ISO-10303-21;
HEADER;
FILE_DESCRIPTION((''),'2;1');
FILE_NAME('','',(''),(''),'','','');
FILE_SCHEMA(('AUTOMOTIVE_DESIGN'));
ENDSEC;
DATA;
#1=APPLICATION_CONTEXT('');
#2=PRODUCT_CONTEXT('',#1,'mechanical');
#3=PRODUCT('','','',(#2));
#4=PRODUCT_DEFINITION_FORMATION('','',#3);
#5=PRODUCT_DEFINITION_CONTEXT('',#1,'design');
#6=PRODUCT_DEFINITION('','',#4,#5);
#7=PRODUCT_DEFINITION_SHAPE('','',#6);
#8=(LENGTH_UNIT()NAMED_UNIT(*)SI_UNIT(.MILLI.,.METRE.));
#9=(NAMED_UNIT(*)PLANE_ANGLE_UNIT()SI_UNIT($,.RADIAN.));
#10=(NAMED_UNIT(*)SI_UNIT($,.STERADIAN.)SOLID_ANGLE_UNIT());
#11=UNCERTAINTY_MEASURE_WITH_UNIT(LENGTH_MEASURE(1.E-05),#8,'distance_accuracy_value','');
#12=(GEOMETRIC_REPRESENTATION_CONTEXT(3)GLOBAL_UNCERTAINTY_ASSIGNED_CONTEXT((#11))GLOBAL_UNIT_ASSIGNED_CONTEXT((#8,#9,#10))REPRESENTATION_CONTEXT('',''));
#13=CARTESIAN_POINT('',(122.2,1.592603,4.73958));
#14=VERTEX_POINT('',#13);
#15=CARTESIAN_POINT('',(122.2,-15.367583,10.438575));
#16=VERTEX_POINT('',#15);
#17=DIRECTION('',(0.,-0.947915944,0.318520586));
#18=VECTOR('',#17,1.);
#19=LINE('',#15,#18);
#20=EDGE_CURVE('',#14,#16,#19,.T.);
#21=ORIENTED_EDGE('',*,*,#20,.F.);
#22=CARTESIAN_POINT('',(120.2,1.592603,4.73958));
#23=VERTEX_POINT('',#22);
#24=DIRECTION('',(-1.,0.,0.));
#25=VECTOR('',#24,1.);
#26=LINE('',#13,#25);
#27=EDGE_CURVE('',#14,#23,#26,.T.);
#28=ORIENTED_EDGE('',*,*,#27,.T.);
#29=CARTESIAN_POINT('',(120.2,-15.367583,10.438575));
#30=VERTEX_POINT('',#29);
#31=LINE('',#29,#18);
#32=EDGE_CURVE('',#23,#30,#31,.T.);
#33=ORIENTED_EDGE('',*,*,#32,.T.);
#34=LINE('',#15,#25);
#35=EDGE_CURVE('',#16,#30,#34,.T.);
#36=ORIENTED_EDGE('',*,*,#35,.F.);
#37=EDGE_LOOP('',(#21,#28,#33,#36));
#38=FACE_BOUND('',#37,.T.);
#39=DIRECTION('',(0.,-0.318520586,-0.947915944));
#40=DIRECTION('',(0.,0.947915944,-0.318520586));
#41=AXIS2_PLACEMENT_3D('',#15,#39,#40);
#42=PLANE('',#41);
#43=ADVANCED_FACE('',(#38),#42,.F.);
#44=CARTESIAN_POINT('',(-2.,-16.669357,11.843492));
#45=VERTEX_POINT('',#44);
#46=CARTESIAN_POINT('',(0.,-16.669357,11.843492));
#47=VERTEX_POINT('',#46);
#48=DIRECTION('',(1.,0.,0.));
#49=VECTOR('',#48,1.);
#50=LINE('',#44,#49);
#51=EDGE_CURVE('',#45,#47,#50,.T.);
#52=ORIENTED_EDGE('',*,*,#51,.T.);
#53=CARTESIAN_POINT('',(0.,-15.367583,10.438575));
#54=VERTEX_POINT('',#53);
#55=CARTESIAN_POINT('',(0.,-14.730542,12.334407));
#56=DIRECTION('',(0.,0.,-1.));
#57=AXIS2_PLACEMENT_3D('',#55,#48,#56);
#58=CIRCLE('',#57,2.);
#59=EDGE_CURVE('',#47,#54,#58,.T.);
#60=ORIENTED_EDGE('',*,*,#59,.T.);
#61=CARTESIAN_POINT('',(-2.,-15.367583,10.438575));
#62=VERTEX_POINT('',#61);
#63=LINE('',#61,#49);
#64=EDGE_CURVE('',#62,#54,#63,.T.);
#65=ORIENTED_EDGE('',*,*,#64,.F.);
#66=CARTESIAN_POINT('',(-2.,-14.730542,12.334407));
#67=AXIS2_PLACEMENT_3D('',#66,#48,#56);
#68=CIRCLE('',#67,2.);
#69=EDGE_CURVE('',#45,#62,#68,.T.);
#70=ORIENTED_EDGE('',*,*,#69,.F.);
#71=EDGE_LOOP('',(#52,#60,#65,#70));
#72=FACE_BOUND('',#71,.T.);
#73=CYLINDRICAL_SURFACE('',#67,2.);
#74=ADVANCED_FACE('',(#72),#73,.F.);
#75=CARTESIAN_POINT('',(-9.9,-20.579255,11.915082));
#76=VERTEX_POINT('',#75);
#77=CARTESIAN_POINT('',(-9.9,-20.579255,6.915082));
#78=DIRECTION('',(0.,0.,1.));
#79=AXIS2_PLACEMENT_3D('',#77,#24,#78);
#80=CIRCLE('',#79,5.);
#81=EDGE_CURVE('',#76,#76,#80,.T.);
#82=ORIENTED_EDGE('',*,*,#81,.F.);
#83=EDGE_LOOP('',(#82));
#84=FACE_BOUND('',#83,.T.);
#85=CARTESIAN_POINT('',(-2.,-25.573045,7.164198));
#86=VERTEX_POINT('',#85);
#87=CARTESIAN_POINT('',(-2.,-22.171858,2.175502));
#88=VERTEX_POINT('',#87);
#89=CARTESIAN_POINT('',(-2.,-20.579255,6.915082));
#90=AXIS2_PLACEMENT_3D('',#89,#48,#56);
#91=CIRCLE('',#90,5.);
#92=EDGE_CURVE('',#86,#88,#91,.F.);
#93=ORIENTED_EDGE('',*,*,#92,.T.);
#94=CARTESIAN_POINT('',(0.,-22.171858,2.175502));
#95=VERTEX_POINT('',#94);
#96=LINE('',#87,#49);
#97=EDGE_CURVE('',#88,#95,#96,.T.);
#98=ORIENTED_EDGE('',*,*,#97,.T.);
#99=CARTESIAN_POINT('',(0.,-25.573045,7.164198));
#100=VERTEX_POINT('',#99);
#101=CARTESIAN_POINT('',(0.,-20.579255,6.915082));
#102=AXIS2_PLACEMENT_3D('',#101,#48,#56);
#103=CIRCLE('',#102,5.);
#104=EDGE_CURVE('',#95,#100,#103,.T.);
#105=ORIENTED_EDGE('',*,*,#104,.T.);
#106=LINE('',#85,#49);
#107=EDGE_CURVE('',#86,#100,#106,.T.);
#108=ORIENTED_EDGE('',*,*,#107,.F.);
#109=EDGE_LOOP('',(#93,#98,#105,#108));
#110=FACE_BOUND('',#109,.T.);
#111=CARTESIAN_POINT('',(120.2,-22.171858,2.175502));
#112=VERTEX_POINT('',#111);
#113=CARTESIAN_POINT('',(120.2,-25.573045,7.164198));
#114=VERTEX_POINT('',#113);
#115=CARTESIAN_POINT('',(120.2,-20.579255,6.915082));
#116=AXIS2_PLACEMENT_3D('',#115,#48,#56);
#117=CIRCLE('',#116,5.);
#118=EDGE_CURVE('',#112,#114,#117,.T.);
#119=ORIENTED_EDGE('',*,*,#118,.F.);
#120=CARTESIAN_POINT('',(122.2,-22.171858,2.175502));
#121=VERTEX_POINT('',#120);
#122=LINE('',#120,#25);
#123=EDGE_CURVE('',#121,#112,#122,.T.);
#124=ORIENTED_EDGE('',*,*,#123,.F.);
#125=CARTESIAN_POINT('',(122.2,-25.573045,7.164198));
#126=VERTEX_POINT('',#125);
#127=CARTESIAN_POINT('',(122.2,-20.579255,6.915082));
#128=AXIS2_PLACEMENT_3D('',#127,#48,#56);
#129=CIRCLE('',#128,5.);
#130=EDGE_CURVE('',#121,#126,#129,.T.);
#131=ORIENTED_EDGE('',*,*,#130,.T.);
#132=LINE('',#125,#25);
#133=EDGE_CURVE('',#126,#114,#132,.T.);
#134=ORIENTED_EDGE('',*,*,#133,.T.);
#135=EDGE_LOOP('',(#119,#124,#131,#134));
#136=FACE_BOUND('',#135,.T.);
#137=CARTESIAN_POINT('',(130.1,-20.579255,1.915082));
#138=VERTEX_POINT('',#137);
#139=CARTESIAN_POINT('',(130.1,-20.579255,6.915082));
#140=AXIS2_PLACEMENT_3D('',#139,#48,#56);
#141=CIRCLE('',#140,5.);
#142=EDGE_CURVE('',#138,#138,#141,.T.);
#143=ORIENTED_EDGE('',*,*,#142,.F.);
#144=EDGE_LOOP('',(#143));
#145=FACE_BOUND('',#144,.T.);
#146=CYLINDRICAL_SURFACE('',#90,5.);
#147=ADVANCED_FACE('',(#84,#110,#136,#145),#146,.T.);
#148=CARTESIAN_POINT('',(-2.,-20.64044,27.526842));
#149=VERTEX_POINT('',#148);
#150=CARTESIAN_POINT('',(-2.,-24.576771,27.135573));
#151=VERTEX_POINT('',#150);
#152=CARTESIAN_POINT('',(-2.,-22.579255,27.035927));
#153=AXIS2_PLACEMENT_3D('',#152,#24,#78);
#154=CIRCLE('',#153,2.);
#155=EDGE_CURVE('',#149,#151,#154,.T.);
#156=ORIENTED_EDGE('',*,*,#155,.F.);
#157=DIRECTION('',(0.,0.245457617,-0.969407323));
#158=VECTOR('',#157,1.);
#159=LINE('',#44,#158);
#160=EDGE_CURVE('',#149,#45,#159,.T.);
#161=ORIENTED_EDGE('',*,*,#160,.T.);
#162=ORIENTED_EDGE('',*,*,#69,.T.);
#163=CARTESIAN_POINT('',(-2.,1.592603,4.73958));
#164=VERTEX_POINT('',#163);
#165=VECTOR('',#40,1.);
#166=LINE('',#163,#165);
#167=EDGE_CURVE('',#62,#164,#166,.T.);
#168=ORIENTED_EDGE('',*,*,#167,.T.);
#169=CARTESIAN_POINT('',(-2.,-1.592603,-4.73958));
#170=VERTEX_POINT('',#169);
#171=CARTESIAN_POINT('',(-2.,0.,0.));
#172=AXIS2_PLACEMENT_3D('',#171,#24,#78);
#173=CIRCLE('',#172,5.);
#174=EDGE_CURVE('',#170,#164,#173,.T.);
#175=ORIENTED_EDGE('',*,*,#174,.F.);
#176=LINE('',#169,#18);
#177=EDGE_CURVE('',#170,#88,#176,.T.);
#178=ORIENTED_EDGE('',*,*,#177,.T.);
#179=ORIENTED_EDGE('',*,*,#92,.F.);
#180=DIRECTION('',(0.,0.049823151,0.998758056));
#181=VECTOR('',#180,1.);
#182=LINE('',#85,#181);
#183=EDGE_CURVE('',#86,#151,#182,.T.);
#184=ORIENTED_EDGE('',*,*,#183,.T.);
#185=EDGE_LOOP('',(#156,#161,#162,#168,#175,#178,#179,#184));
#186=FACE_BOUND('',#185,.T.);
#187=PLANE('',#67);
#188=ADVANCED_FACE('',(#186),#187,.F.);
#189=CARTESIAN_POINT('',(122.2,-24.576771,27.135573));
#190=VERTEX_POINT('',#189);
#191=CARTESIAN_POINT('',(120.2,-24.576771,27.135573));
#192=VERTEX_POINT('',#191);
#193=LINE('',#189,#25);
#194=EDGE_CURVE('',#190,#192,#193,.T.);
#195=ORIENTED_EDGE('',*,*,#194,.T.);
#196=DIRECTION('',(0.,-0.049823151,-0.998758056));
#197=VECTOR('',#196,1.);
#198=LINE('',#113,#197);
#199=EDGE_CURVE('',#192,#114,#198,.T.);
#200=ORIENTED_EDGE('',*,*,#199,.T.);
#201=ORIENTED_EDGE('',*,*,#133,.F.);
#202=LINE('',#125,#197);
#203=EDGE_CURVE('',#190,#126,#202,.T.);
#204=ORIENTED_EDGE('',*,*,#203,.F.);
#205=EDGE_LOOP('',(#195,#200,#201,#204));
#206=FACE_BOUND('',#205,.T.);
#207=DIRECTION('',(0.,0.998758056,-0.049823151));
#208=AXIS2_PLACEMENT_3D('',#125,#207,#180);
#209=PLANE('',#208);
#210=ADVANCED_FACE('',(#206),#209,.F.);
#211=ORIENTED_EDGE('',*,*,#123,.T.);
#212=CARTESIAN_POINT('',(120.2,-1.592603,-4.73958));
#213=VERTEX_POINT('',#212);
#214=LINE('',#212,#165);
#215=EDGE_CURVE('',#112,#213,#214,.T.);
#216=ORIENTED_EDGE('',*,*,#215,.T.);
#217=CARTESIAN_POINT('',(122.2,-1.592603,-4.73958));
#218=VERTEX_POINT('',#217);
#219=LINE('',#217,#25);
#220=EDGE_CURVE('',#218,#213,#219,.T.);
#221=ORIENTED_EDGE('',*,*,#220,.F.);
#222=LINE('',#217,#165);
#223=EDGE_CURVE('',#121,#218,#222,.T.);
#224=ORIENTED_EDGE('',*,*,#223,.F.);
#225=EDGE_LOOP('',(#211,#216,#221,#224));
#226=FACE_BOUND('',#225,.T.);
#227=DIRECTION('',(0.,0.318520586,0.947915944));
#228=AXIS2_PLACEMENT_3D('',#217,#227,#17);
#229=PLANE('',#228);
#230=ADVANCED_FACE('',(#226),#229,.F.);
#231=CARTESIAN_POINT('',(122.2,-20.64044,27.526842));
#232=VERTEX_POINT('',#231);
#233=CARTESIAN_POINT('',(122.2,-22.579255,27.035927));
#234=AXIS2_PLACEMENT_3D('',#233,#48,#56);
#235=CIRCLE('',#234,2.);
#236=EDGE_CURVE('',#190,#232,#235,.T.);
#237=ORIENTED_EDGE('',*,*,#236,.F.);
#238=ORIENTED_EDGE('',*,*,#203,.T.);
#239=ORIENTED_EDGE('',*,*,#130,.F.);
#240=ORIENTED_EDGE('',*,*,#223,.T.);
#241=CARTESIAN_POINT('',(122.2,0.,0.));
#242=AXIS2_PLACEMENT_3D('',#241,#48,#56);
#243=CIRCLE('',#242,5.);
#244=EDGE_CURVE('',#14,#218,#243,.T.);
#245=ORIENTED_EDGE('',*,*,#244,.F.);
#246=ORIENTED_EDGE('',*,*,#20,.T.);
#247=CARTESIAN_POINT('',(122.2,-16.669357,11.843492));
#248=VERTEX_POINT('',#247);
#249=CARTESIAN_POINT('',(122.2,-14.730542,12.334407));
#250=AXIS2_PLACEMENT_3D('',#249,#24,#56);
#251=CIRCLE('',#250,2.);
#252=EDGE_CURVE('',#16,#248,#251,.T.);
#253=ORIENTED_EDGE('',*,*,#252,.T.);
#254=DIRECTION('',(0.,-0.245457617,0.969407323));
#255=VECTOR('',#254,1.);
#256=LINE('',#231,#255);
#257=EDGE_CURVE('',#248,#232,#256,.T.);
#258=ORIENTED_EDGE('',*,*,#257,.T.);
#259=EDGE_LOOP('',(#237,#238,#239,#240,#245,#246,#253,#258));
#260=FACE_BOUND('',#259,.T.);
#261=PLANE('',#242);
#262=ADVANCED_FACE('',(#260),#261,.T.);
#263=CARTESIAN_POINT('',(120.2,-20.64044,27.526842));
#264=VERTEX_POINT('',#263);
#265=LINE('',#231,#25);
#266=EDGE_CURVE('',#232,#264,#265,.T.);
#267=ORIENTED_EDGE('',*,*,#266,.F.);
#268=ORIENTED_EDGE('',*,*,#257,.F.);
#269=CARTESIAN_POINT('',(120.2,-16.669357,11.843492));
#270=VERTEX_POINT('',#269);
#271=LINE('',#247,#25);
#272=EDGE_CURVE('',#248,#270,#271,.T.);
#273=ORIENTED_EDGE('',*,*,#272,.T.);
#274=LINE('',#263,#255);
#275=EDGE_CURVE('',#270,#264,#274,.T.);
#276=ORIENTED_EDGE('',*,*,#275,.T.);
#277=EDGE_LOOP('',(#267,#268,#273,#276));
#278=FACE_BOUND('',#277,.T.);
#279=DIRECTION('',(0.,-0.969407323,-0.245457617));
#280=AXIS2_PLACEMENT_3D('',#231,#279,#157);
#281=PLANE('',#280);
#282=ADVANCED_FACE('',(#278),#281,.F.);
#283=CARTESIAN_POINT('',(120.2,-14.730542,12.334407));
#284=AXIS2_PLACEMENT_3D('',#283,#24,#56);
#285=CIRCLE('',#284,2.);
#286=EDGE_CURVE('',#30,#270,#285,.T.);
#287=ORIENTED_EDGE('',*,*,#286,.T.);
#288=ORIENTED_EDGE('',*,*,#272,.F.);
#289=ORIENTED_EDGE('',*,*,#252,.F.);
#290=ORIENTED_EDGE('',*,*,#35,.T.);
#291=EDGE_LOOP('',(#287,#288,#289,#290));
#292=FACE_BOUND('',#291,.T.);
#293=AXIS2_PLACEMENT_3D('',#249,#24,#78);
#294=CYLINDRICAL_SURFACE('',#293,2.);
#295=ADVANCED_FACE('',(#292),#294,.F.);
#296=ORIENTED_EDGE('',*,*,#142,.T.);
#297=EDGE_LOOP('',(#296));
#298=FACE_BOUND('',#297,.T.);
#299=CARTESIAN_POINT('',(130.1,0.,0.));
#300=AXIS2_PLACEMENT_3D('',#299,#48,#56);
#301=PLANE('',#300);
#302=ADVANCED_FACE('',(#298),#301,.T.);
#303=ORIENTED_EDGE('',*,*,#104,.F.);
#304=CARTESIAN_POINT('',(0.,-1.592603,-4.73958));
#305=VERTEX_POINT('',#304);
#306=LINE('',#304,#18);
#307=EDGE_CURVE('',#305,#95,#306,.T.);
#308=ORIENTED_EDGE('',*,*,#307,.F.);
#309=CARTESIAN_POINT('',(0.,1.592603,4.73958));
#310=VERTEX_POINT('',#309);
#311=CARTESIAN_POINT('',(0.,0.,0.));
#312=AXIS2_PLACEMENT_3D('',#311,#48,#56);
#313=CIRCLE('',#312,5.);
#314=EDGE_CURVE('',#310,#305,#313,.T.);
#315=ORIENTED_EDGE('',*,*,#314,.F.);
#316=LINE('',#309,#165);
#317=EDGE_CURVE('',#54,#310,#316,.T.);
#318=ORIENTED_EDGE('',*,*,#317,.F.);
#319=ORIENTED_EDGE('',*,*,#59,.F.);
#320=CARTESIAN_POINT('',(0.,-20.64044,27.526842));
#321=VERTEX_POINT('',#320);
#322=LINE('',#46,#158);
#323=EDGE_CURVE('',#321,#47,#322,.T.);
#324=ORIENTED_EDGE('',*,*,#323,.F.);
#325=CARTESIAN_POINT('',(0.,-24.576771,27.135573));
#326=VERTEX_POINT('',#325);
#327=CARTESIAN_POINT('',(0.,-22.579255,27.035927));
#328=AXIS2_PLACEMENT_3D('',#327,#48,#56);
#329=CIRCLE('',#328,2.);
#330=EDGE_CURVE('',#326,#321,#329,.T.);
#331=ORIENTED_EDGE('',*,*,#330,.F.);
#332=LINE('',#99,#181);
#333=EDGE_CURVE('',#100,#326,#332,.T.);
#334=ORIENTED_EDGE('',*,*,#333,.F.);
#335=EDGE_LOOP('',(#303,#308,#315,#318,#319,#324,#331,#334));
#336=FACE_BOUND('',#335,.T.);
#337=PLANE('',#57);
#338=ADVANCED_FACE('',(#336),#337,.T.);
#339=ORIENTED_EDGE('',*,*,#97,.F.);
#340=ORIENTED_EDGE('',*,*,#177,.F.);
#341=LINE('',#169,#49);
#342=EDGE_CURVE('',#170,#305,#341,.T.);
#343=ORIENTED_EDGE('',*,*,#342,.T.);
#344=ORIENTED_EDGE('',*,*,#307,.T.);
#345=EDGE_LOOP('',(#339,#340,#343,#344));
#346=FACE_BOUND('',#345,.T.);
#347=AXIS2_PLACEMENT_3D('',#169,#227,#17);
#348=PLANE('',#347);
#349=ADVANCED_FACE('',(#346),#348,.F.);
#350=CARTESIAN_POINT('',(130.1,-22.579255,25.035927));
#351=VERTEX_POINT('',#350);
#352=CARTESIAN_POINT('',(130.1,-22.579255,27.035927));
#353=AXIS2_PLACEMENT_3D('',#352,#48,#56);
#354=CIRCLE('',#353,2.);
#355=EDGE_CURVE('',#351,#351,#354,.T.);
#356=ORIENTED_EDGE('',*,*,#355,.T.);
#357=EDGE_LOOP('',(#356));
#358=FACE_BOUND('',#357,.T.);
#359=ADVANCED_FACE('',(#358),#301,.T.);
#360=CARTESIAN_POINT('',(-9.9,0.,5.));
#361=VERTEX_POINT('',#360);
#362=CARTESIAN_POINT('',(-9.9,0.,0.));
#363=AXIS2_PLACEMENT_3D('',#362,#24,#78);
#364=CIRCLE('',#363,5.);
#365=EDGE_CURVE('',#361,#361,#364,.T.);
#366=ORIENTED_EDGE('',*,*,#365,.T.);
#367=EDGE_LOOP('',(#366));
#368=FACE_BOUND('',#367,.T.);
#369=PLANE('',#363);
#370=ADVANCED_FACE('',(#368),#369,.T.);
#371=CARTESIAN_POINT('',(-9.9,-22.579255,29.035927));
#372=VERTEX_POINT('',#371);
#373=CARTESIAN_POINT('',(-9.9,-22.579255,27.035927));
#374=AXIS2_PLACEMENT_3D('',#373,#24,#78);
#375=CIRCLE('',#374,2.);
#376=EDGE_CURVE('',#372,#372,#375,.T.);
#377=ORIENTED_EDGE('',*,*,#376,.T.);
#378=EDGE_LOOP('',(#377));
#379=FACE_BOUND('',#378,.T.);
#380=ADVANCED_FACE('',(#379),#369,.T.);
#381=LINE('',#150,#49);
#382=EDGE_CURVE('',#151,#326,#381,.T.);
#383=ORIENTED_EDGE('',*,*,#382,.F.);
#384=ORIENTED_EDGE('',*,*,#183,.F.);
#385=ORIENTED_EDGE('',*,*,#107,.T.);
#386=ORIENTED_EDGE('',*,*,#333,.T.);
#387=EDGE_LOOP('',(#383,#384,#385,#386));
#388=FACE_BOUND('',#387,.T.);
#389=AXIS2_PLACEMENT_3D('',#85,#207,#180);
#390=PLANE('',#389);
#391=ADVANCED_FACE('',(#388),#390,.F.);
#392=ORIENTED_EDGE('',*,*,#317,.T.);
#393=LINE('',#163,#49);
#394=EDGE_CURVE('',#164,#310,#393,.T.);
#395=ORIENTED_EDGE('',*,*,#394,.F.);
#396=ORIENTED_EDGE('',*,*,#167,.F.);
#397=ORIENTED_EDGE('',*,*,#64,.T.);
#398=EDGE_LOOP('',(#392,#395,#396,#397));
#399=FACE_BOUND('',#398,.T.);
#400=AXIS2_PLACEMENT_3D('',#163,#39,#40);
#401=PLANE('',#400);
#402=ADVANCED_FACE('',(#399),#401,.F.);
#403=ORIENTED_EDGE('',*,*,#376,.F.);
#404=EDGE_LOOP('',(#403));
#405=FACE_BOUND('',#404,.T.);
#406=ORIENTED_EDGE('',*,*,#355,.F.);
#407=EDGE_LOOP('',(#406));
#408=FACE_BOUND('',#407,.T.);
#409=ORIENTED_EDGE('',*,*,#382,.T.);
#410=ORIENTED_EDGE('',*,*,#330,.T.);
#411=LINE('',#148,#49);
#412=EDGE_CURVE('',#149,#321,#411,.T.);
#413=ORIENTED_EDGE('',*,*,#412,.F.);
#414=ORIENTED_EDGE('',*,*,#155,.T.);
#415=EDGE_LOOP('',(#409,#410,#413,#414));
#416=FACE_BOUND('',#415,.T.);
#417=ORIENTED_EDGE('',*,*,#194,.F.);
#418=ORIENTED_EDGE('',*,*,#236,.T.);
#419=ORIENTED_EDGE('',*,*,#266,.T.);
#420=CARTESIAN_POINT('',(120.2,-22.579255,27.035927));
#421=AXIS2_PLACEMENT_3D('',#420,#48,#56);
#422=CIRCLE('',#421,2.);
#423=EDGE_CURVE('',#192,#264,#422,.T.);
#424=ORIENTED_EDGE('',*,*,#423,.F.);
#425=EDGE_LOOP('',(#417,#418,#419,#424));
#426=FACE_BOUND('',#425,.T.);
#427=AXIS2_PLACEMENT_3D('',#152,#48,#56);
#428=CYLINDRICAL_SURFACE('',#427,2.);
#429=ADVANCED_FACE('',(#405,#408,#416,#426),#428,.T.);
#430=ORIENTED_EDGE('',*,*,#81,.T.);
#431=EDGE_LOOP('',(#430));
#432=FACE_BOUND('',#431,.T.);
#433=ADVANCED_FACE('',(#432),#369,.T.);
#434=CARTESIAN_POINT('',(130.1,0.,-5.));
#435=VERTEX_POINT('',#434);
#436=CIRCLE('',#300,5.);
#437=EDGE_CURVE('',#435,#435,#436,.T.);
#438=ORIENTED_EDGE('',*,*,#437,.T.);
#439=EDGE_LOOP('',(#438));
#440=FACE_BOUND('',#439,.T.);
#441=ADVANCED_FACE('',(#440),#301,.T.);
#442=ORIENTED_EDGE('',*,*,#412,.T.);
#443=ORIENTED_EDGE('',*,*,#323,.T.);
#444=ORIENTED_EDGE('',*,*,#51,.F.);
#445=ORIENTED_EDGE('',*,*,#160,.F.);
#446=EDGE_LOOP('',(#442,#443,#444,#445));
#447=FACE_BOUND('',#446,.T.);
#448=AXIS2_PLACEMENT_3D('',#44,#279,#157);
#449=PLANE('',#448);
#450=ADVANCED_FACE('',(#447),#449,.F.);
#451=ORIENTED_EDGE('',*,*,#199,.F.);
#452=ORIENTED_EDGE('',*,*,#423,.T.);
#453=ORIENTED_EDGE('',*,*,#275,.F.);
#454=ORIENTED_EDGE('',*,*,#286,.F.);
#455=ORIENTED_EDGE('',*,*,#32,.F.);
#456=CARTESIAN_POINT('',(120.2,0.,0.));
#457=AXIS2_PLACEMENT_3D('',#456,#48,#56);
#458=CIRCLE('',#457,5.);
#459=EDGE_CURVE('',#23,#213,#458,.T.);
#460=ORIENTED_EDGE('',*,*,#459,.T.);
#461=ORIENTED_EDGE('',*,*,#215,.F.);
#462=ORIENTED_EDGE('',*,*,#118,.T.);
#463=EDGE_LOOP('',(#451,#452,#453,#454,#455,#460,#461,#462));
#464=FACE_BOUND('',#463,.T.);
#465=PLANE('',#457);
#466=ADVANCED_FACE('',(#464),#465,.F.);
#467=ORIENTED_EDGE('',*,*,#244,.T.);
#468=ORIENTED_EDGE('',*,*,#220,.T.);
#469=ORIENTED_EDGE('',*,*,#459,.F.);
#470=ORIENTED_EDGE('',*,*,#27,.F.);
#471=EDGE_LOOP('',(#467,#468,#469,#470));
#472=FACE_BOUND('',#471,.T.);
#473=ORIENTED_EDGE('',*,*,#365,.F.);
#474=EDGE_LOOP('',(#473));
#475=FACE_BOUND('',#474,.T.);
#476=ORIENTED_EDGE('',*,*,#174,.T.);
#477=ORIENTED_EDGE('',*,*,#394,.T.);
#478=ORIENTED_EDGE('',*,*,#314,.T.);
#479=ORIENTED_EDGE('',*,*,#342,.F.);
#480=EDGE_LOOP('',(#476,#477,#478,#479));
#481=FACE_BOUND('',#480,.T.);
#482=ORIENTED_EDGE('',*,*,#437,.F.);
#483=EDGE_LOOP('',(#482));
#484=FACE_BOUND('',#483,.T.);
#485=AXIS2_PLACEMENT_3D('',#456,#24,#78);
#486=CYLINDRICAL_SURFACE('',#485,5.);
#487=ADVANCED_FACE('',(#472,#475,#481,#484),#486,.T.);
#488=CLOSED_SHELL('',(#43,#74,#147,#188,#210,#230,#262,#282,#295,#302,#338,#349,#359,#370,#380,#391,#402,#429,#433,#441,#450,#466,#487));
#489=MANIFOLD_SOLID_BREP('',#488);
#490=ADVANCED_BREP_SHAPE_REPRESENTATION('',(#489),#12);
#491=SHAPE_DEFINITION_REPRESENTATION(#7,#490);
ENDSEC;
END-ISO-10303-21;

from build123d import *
from build123d.topology import SkipClean

# Parameters (mm, degrees)
CROQUIS1_R                = 5
SALIENTE_EXTRUIR6_DEPTH   = 120.2
SALIENTE_EXTRUIR6_2_DEPTH = 120.2
CROQUIS1_R_2              = 2
SALIENTE_EXTRUIR6_3_DEPTH = 120.2
SALIENTE_EXTRUIR8_DEPTH   = 2
SALIENTE_EXTRUIR9_DEPTH   = 2
SALIENTE_EXTRUIR10_DEPTH  = 7.9
CROQUIS14_R               = 5
CROQUIS14_R_2             = 2
SALIENTE_EXTRUIR11_DEPTH  = 7.9


with BuildPart() as part:
    # Croquis1 → Saliente-Extruir6 (new body)
    with BuildSketch(Plane(origin=(0, 0, 0), x_dir=(0, 0, -1), z_dir=(1, 0, 0))):
        Circle(CROQUIS1_R)
    extrude(amount=SALIENTE_EXTRUIR6_DEPTH)



with BuildPart() as body_2:
    # Croquis1 → Saliente-Extruir6 2 (new body)
    with BuildSketch(Plane(origin=(0, 0, 0), x_dir=(0, 0, -1), z_dir=(1, 0, 0))):
        with Locations((-6.915082, -20.579255)):
            Circle(CROQUIS1_R)
    extrude(amount=SALIENTE_EXTRUIR6_2_DEPTH)


with BuildPart() as body_3:
    # Croquis1 → Saliente-Extruir6 3 (new body)
    with BuildSketch(Plane(origin=(0, 0, 0), x_dir=(0, 0, -1), z_dir=(1, 0, 0))):
        with Locations((-27.035927, -22.579255)):
            Circle(CROQUIS1_R_2)
    extrude(amount=SALIENTE_EXTRUIR6_3_DEPTH)


with BuildPart() as part_1:
    with SkipClean():  # the faces are left unmerged after this step: merging them gives an invalid solid
        add(part.part)

        add(body_2.part)  # Saliente-Extruir8 merges body 2

        add(body_3.part)  # Saliente-Extruir8 merges body 3
        # Croquis10 → Saliente-Extruir8 (add)
        with BuildSketch(Plane.ZY):
            with BuildLine():
                Line((-4.73958, -1.592603), (2.175502, -22.171858))
                ThreePointArc((2.175502, -22.171858), (4.098509, -24.710467), (7.164198, -25.573045))
                Line((7.164198, -25.573045), (27.135573, -24.576771))
                ThreePointArc((27.135573, -24.576771), (29.026119, -22.777079), (27.526842, -20.64044))
                Line((27.526842, -20.64044), (11.843492, -16.669357))
                ThreePointArc((11.843492, -16.669357), (10.975071, -16.197582), (10.438575, -15.367583))
                Line((10.438575, -15.367583), (4.73958, 1.592603))
                ThreePointArc((4.73958, 1.592603), (-1.592603, 4.73958), (-4.73958, -1.592603))
            make_face()
        extrude(amount=SALIENTE_EXTRUIR8_DEPTH)

    # Croquis11 → Saliente-Extruir9 (add)
    with BuildSketch(Plane(origin=(120.2, 0, 0), x_dir=(0, 0, -1), z_dir=(1, 0, 0))):
        with BuildLine():
            Line((4.73958, -1.592603), (-2.175502, -22.171858))
            ThreePointArc((-2.175502, -22.171858), (-4.098509, -24.710467), (-7.164198, -25.573045))
            Line((-7.164198, -25.573045), (-27.135573, -24.576771))
            ThreePointArc((-27.135573, -24.576771), (-29.026119, -22.777079), (-27.526842, -20.64044))
            Line((-27.526842, -20.64044), (-11.843492, -16.669357))
            ThreePointArc((-11.843492, -16.669357), (-10.975071, -16.197582), (-10.438575, -15.367583))
            Line((-10.438575, -15.367583), (-4.73958, 1.592603))
            ThreePointArc((-4.73958, 1.592603), (1.592603, 4.73958), (4.73958, -1.592603))
        make_face()
    extrude(amount=SALIENTE_EXTRUIR9_DEPTH)

    # Croquis13 → Saliente-Extruir10 (add)
    with BuildSketch(Plane(origin=(122.2, 0, 0), x_dir=(0, 0, -1), z_dir=(1, 0, 0))):
        with BuildLine():
            ThreePointArc((-7.164198, -25.573045), (-4.098509, -24.710467), (-2.175502, -22.171858))
            ThreePointArc((-2.175502, -22.171858), (-1.980616, -21.386132), (-1.915082, -20.579255))
            ThreePointArc((-1.915082, -20.579255), (-10.361415, -16.956716), (-7.164198, -25.573045))
        make_face()
        with BuildLine():
            ThreePointArc((5, 0), (0.806877, 4.934465), (-4.73958, 1.592603))
            ThreePointArc((-4.73958, 1.592603), (-1.592603, -4.73958), (4.73958, -1.592603))
            ThreePointArc((4.73958, -1.592603), (4.934465, -0.806877), (5, 0))
        make_face()
        with BuildLine():
            ThreePointArc((-25.035927, -22.579255), (-25.807479, -21.000992), (-27.526842, -20.64044))
            ThreePointArc((-27.526842, -20.64044), (-29.026119, -22.777079), (-27.135573, -24.576771))
            ThreePointArc((-27.135573, -24.576771), (-25.657394, -24.028271), (-25.035927, -22.579255))
        make_face()
    extrude(amount=SALIENTE_EXTRUIR10_DEPTH)

    # Croquis14 → Saliente-Extruir11 (add)
    with BuildSketch(Plane.ZY.offset(2)):
        Circle(CROQUIS14_R)
        with Locations(Location((27.035927, -22.579255, 0), (0, 0, 180))):
            Circle(CROQUIS14_R_2)
        with Locations(Location((6.915082, -20.579255, 0), (0, 0, 180))):
            Circle(CROQUIS14_R)
    extrude(amount=SALIENTE_EXTRUIR11_DEPTH)


solid = part_1.part
